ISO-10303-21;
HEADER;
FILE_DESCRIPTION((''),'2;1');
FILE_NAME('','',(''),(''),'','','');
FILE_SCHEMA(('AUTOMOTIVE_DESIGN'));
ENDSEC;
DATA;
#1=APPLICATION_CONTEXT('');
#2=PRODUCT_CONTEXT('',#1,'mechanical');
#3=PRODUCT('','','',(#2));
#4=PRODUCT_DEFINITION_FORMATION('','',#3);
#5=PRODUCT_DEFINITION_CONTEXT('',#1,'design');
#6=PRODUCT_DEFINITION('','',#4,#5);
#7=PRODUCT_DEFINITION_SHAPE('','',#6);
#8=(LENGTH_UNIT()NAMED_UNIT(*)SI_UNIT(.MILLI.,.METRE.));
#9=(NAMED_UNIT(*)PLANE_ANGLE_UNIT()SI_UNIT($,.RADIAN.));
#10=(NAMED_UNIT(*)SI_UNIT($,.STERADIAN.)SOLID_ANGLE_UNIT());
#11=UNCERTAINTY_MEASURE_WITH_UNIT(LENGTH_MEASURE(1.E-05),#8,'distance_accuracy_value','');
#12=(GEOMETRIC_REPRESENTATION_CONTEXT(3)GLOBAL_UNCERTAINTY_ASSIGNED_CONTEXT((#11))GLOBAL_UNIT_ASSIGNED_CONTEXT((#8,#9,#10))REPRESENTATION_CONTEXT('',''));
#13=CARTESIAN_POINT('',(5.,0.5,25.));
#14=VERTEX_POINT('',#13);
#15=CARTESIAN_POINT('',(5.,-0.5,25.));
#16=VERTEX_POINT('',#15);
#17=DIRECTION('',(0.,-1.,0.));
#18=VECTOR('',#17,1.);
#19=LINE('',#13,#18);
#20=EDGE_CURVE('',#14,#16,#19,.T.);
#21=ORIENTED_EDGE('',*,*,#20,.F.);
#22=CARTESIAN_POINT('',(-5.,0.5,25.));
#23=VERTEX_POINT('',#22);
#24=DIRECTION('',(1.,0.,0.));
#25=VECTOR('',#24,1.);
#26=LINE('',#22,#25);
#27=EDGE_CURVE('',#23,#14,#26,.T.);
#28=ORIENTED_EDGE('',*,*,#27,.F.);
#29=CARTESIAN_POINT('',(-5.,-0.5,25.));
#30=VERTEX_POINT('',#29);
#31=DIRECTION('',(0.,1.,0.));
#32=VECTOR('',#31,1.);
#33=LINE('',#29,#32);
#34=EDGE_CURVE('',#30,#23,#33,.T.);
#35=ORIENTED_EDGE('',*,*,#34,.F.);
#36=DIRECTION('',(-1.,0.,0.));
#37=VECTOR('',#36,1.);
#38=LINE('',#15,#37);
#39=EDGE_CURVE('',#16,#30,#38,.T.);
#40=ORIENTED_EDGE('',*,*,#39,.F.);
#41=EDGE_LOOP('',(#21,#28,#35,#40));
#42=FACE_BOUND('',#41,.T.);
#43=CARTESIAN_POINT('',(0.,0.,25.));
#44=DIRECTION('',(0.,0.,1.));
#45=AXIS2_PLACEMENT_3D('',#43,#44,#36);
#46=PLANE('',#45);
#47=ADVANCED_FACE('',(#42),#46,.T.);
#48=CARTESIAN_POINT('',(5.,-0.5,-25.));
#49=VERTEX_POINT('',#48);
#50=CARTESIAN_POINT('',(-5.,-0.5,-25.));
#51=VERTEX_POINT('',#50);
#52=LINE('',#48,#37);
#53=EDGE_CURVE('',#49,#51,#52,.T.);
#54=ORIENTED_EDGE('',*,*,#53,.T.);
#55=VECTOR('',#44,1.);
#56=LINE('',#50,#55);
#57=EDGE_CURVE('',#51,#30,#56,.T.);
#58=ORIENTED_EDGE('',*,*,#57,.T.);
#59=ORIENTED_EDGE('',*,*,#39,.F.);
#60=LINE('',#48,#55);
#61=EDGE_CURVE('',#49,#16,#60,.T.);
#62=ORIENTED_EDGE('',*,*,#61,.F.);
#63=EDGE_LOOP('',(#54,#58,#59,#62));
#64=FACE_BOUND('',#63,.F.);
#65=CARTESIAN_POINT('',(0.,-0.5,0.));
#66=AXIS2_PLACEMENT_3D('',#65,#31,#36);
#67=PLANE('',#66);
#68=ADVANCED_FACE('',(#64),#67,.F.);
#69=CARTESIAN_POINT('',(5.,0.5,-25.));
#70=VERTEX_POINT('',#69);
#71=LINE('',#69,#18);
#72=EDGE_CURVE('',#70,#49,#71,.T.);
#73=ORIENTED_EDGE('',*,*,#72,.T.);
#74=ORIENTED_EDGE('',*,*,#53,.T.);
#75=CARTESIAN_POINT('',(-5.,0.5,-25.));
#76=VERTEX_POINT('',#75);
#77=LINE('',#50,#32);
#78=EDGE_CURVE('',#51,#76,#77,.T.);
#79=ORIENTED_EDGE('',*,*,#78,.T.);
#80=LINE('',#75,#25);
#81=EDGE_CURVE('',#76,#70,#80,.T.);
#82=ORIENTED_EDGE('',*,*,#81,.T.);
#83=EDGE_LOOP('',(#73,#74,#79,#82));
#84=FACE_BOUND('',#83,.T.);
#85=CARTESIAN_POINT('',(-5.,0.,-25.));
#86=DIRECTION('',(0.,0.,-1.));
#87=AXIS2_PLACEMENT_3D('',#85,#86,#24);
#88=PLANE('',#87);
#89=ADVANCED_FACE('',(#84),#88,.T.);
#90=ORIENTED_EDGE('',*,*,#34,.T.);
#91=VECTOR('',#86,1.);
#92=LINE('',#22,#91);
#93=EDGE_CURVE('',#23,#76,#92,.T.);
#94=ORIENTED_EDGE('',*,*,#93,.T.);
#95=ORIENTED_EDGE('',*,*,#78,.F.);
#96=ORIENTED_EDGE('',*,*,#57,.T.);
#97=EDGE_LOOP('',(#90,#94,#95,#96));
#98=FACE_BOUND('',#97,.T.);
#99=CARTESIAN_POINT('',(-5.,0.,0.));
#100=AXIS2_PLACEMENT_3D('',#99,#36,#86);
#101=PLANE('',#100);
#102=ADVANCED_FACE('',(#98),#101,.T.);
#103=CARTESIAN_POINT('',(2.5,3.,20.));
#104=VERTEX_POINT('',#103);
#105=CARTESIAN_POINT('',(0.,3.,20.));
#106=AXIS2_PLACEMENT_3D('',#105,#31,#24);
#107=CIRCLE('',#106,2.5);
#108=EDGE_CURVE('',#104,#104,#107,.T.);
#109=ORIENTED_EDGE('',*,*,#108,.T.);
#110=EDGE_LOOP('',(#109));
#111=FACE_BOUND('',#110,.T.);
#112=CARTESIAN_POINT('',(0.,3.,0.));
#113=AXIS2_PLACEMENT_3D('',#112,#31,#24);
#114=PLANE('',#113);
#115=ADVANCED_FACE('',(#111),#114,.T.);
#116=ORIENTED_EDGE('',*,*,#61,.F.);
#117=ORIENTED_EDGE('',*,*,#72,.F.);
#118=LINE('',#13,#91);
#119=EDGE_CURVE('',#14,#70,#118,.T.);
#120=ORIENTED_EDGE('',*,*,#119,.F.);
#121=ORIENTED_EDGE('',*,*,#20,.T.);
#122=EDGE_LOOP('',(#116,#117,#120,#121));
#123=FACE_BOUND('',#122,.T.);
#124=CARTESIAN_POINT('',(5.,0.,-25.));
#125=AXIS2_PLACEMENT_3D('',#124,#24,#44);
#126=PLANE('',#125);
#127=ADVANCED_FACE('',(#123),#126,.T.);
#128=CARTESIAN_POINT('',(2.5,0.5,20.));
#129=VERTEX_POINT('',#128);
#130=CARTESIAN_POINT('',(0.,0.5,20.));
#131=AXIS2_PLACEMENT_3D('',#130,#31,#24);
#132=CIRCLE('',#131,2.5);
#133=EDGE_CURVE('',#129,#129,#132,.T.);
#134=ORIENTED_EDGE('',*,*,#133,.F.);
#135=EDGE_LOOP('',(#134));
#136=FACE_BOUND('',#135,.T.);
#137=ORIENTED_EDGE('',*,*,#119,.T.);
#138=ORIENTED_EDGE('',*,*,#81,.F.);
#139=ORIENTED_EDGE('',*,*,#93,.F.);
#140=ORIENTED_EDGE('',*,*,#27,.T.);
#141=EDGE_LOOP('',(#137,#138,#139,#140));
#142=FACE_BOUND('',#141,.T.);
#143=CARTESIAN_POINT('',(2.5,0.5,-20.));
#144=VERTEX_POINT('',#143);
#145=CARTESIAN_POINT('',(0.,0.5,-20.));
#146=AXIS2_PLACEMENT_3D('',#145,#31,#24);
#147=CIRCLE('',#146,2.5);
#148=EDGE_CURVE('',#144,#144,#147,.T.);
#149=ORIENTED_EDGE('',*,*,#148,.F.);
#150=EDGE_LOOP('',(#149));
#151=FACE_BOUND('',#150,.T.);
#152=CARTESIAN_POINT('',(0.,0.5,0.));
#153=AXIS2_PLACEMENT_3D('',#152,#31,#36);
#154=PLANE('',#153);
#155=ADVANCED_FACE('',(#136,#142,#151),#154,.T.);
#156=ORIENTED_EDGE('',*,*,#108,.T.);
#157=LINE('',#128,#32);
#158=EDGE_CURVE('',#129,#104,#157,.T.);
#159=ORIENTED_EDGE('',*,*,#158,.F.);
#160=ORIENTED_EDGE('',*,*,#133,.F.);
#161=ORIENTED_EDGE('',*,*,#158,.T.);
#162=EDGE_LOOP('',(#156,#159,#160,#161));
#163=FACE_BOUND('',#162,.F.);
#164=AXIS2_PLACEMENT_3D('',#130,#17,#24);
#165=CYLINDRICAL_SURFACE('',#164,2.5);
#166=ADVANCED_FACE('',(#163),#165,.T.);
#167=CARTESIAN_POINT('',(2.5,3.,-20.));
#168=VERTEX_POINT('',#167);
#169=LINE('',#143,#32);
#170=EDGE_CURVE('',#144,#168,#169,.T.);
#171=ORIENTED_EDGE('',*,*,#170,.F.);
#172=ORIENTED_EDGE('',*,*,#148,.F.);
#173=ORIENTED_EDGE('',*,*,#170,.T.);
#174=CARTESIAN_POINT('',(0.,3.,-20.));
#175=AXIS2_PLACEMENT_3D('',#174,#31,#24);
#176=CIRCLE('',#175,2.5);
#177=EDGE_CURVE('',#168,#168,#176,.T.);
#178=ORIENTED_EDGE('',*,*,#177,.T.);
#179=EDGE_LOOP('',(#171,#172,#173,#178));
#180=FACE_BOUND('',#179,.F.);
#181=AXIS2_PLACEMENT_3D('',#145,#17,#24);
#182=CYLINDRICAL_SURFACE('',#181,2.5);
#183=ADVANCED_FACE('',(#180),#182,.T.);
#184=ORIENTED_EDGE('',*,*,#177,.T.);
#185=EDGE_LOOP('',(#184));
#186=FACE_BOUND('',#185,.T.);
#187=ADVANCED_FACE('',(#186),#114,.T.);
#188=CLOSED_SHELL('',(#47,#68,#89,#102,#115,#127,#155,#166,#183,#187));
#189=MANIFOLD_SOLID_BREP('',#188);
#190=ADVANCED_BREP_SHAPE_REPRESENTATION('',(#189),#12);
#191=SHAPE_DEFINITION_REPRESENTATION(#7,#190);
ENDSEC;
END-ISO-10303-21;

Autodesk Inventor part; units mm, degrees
sketch "Sketch1" plane through (0, 0, 0) normal (0, 1, 0) x (-1, 0, 0)
  line L0 (5, -25) -> (-5, -25)
  line L1 (-5, -25) -> (-5, 25)
  line L2 (-5, 25) -> (5, 25)
  line L3 (5, 25) -> (5, -25)
  line L4 (0, -34.825) -> (0, 34.825) projected
  line L5 (-7, 0) -> (7, 0) projected
  point P0 (0, 0)
  point P1 (0, -25)
  point P2 (5, 0)
  dimension "d0" = 10
  dimension "d1" = 50
extrude "Extrusion1" add sketch "Sketch1" along normal mid plane 1
sketch "Sketch2" plane through (0, 0.5, 0) normal (0, 1, 0) x (1, 0, 0)
  circle A0 centre (0, 20) radius 2.5
  line L0 (5, 25) -> (-5, 25) projected
  line L1 (-5, 25) -> (-5, -25) projected
  circle A1 centre (0, -20) radius 2.5
  point P0 (0, 0)
  dimension "d4" = 5
  dimension "d5" = 5
  dimension "d6" = 5
  dimension "d9" = 360
extrude "Extrusion2" add sketch "Sketch2" along normal blind 2.5
properties part number "Tile_Cover"
